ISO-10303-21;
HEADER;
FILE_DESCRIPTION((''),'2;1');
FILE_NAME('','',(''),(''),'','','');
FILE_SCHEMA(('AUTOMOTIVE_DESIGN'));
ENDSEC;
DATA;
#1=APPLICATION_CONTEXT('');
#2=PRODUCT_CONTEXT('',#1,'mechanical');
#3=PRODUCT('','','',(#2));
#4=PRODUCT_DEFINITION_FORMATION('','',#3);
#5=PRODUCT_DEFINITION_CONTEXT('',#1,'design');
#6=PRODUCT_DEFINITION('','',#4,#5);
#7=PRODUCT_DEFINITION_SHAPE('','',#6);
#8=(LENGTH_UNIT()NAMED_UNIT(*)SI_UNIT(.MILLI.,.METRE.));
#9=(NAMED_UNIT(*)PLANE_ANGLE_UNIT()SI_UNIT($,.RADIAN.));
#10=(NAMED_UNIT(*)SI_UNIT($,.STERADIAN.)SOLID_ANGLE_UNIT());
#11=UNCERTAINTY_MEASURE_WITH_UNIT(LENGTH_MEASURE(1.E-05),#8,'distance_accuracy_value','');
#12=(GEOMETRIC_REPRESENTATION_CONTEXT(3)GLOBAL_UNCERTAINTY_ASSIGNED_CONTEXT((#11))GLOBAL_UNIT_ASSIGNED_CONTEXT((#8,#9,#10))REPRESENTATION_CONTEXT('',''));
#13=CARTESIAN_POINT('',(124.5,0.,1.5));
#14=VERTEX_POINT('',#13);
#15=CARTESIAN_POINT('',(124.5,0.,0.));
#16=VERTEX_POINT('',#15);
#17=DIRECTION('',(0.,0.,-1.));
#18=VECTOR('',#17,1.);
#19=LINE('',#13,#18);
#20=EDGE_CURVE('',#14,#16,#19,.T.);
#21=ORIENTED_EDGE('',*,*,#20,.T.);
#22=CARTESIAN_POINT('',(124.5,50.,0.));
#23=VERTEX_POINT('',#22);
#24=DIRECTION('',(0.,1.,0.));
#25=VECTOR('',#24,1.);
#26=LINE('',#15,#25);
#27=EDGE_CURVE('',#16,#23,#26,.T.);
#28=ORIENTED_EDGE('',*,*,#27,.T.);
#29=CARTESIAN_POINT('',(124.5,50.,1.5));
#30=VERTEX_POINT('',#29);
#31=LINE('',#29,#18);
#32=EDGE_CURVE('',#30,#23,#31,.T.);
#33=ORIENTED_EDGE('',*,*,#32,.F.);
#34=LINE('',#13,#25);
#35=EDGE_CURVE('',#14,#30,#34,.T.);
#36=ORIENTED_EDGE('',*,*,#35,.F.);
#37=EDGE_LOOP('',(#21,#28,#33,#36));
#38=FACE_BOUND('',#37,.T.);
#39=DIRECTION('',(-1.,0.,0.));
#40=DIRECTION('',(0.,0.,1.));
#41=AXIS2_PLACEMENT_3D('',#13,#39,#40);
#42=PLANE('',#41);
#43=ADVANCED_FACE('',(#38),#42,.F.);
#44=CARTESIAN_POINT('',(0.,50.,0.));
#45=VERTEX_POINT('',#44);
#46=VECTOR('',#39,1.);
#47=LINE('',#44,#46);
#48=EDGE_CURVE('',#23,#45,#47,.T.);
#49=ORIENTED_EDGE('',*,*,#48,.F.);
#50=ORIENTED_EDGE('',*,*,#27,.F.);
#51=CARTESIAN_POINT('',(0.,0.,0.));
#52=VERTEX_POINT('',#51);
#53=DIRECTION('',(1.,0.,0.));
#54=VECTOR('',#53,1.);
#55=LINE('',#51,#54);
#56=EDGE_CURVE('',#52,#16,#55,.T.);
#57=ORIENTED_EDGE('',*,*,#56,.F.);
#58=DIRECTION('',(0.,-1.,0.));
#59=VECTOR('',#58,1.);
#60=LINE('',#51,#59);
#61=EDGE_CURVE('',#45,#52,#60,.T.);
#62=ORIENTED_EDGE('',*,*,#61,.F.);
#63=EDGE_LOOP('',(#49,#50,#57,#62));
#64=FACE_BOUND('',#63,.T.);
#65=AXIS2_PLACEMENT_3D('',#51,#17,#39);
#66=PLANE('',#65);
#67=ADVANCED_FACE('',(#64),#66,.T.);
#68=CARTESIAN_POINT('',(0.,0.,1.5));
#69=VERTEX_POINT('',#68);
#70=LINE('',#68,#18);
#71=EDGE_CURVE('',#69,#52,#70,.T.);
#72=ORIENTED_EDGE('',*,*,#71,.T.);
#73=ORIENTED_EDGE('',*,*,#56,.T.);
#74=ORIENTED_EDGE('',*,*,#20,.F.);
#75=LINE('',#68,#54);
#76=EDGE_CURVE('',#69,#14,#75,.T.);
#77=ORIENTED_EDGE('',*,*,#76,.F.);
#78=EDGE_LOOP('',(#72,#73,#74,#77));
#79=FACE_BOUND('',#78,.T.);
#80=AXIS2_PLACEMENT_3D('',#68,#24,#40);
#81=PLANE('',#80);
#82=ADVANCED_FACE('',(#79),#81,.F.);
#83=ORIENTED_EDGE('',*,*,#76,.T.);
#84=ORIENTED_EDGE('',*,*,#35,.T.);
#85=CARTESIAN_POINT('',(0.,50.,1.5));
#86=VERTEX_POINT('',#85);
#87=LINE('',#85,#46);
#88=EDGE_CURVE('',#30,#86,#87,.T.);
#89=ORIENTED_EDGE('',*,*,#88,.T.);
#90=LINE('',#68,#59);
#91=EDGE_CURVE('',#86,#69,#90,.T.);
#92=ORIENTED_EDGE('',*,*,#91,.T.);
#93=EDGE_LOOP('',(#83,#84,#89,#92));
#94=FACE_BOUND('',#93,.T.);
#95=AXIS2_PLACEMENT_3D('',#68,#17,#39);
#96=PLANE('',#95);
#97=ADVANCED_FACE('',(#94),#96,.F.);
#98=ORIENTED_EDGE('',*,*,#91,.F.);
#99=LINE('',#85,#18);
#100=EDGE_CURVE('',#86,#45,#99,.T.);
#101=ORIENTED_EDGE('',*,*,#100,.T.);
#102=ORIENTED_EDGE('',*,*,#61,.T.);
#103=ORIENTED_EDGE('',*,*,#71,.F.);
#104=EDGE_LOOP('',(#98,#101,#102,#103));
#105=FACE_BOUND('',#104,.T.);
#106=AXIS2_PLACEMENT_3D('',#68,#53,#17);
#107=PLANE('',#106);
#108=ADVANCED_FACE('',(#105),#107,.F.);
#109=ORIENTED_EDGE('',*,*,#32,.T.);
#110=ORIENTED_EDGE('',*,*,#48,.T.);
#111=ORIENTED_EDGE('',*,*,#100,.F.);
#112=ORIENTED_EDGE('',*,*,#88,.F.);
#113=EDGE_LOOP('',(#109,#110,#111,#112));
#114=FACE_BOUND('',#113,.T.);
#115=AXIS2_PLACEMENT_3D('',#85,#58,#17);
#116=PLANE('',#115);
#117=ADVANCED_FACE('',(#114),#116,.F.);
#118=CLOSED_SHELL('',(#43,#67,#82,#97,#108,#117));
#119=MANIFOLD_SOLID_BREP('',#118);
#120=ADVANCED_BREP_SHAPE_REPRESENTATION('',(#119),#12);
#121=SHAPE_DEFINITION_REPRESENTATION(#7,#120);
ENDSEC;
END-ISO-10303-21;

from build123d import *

# Parameters (mm, degrees)
ESBO_O1_W                = 124.5
ESBO_O1_H                = 50
RESSALTO_EXTRUS_O1_DEPTH = 1.5


with BuildPart() as part:
    # Esboço1 → Ressalto-extrusão1 (new body)
    with BuildSketch(Plane.XY):
        with Locations((62.25, 25)):
            Rectangle(ESBO_O1_W, ESBO_O1_H)
    extrude(amount=RESSALTO_EXTRUS_O1_DEPTH)


solid = part.part
